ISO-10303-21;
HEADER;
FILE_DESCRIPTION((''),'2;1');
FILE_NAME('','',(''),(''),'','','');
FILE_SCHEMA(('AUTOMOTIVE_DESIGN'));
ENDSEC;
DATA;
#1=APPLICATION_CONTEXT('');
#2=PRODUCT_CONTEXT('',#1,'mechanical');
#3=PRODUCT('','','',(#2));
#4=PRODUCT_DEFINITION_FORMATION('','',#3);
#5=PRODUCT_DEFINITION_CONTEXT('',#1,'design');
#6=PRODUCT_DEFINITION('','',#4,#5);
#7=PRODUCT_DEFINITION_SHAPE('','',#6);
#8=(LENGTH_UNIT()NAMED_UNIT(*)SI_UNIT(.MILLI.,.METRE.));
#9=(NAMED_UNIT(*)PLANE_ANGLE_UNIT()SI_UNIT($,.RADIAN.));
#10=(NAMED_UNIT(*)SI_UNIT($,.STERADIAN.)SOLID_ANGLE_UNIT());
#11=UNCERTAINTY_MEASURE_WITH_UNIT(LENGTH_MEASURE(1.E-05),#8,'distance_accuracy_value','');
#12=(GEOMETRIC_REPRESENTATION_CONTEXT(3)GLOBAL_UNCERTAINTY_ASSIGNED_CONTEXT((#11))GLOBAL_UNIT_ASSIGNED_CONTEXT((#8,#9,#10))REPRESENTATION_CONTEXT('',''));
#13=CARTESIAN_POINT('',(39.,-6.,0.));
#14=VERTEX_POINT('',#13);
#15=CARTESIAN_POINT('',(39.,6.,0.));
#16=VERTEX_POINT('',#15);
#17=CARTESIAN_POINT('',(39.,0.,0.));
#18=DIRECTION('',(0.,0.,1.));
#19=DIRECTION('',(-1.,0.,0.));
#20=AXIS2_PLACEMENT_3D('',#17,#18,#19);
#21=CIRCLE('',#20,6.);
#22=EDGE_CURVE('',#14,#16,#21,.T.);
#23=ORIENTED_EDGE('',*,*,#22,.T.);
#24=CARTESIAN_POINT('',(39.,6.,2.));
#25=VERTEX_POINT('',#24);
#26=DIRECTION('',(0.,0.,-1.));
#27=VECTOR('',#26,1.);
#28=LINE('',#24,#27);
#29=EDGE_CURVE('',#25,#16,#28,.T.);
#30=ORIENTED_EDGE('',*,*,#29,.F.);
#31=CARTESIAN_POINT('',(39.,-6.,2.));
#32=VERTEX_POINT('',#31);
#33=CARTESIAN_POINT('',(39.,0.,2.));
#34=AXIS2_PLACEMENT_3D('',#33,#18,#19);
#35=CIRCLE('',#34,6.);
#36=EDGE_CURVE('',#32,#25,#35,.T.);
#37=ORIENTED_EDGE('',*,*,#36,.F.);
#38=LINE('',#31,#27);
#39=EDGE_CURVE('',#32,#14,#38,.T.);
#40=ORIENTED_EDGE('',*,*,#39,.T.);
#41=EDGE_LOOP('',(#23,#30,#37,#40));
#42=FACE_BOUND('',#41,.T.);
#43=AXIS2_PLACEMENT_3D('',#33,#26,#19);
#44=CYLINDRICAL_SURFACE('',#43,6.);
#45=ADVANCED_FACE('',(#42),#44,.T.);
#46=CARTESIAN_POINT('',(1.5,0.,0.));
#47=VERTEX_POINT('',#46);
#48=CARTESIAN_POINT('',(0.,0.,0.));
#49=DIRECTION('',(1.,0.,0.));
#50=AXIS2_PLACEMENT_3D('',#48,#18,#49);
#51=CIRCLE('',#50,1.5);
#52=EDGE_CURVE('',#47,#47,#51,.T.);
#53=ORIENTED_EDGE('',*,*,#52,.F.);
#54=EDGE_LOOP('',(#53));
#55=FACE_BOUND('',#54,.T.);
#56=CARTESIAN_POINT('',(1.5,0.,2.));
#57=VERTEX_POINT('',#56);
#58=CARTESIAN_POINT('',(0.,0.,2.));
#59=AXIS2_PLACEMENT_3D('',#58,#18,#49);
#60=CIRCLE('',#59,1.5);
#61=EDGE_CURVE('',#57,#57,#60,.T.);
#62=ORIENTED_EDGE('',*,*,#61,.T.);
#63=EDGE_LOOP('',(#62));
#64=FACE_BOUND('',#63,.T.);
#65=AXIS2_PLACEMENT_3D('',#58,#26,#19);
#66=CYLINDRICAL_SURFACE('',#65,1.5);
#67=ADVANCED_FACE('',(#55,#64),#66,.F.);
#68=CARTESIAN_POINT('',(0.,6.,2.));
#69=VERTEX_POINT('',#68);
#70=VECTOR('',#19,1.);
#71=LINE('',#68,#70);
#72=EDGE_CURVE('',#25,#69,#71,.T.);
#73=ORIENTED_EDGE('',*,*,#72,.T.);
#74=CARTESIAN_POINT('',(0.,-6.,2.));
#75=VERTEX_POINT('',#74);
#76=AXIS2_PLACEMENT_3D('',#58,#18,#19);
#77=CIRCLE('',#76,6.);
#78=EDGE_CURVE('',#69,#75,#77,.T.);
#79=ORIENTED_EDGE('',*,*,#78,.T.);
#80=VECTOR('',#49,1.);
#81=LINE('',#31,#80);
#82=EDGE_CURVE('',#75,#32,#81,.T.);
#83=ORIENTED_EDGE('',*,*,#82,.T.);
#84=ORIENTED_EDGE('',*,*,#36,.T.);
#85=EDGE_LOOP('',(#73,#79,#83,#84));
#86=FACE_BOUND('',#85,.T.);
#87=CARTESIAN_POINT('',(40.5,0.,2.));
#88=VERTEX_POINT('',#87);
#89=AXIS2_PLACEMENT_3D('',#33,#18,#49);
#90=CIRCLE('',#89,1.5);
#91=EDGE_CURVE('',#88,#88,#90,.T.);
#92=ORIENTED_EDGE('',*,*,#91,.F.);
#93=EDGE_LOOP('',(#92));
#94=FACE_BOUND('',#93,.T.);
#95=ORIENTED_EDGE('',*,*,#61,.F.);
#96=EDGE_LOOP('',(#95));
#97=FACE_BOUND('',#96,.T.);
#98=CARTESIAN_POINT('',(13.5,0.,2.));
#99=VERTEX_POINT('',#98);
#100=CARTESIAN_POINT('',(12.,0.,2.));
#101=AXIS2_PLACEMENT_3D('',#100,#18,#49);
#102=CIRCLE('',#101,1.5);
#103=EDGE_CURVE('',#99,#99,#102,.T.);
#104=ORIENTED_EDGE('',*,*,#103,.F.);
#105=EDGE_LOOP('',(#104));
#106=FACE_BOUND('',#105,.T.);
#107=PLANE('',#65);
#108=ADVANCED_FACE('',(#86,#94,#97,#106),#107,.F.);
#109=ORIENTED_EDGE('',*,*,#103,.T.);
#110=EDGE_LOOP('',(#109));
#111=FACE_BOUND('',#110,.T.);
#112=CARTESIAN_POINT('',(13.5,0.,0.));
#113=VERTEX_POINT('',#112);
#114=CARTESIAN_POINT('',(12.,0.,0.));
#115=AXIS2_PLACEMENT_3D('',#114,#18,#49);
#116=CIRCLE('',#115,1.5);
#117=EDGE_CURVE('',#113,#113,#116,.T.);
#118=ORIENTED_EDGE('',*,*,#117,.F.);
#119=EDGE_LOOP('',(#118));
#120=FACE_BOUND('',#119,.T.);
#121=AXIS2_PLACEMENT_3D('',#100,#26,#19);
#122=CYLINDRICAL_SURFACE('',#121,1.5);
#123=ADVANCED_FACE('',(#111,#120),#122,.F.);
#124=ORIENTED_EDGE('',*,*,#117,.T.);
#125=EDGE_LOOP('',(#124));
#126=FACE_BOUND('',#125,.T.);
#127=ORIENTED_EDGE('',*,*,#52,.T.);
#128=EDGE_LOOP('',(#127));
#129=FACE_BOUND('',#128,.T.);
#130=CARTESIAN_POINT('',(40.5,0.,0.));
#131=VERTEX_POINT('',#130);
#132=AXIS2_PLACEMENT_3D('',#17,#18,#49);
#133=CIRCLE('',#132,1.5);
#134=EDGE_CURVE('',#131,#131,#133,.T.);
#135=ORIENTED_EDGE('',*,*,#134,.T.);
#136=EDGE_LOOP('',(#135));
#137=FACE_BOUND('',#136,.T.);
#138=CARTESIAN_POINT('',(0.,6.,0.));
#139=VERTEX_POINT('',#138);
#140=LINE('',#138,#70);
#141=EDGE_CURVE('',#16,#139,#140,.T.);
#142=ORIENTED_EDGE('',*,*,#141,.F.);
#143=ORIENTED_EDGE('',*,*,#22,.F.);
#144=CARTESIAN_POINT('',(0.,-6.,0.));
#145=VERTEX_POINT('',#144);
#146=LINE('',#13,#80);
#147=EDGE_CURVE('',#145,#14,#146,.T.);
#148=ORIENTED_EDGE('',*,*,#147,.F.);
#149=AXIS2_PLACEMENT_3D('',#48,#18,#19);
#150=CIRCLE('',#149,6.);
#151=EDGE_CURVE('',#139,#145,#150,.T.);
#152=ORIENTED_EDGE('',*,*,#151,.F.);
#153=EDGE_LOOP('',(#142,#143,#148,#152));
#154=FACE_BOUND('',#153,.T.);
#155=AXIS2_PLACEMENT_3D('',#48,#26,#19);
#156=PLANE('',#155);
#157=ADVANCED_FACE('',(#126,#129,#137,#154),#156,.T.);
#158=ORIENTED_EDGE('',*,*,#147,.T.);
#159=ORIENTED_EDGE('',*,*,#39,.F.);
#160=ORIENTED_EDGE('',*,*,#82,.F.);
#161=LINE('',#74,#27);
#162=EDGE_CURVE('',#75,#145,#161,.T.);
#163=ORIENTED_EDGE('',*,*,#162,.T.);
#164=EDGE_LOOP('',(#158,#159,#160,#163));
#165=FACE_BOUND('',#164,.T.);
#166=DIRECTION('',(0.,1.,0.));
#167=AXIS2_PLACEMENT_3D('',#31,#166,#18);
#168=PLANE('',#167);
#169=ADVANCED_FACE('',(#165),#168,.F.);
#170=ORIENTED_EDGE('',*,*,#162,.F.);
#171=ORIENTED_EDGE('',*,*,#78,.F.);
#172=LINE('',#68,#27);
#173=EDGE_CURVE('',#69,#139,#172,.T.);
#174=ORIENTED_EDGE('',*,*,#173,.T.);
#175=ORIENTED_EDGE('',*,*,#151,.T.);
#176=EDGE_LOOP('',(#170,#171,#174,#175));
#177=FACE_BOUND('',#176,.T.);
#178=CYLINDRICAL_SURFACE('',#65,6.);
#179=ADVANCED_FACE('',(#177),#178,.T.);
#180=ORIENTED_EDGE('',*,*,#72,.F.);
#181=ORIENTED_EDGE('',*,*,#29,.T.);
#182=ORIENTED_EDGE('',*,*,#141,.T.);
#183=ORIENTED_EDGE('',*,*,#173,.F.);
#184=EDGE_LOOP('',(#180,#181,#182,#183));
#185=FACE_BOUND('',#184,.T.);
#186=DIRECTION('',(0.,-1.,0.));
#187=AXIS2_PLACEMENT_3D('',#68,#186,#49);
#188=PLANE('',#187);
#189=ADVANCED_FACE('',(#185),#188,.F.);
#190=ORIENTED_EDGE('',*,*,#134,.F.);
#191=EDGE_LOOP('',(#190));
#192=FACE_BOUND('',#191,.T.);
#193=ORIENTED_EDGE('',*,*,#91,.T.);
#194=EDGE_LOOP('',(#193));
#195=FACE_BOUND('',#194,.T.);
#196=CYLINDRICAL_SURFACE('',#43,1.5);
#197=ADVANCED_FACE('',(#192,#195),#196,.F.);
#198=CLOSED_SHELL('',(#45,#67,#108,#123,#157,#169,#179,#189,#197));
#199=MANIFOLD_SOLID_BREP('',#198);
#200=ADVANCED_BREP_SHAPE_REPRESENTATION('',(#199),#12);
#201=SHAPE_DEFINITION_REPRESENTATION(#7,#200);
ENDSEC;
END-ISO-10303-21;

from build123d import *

# Parameters (mm, degrees)
ESQUISSE1_R        = 1.5
BOSS_EXTRU_1_DEPTH = 2


with BuildPart() as part:
    # Esquisse1 → Boss.-Extru.1 (new body)
    with BuildSketch(Plane.XY):
        with BuildLine():
            Line((0, 6), (39, 6))
            ThreePointArc((39, 6), (45, 0), (39, -6))
            Line((39, -6), (0, -6))
            ThreePointArc((0, -6), (-6, 0), (0, 6))
        make_face()
        Circle(ESQUISSE1_R, mode=Mode.SUBTRACT)
        with Locations((39, 0)):
            Circle(ESQUISSE1_R, mode=Mode.SUBTRACT)
        with Locations((12, 0)):
            Circle(ESQUISSE1_R, mode=Mode.SUBTRACT)
    extrude(amount=BOSS_EXTRU_1_DEPTH)


solid = part.part
